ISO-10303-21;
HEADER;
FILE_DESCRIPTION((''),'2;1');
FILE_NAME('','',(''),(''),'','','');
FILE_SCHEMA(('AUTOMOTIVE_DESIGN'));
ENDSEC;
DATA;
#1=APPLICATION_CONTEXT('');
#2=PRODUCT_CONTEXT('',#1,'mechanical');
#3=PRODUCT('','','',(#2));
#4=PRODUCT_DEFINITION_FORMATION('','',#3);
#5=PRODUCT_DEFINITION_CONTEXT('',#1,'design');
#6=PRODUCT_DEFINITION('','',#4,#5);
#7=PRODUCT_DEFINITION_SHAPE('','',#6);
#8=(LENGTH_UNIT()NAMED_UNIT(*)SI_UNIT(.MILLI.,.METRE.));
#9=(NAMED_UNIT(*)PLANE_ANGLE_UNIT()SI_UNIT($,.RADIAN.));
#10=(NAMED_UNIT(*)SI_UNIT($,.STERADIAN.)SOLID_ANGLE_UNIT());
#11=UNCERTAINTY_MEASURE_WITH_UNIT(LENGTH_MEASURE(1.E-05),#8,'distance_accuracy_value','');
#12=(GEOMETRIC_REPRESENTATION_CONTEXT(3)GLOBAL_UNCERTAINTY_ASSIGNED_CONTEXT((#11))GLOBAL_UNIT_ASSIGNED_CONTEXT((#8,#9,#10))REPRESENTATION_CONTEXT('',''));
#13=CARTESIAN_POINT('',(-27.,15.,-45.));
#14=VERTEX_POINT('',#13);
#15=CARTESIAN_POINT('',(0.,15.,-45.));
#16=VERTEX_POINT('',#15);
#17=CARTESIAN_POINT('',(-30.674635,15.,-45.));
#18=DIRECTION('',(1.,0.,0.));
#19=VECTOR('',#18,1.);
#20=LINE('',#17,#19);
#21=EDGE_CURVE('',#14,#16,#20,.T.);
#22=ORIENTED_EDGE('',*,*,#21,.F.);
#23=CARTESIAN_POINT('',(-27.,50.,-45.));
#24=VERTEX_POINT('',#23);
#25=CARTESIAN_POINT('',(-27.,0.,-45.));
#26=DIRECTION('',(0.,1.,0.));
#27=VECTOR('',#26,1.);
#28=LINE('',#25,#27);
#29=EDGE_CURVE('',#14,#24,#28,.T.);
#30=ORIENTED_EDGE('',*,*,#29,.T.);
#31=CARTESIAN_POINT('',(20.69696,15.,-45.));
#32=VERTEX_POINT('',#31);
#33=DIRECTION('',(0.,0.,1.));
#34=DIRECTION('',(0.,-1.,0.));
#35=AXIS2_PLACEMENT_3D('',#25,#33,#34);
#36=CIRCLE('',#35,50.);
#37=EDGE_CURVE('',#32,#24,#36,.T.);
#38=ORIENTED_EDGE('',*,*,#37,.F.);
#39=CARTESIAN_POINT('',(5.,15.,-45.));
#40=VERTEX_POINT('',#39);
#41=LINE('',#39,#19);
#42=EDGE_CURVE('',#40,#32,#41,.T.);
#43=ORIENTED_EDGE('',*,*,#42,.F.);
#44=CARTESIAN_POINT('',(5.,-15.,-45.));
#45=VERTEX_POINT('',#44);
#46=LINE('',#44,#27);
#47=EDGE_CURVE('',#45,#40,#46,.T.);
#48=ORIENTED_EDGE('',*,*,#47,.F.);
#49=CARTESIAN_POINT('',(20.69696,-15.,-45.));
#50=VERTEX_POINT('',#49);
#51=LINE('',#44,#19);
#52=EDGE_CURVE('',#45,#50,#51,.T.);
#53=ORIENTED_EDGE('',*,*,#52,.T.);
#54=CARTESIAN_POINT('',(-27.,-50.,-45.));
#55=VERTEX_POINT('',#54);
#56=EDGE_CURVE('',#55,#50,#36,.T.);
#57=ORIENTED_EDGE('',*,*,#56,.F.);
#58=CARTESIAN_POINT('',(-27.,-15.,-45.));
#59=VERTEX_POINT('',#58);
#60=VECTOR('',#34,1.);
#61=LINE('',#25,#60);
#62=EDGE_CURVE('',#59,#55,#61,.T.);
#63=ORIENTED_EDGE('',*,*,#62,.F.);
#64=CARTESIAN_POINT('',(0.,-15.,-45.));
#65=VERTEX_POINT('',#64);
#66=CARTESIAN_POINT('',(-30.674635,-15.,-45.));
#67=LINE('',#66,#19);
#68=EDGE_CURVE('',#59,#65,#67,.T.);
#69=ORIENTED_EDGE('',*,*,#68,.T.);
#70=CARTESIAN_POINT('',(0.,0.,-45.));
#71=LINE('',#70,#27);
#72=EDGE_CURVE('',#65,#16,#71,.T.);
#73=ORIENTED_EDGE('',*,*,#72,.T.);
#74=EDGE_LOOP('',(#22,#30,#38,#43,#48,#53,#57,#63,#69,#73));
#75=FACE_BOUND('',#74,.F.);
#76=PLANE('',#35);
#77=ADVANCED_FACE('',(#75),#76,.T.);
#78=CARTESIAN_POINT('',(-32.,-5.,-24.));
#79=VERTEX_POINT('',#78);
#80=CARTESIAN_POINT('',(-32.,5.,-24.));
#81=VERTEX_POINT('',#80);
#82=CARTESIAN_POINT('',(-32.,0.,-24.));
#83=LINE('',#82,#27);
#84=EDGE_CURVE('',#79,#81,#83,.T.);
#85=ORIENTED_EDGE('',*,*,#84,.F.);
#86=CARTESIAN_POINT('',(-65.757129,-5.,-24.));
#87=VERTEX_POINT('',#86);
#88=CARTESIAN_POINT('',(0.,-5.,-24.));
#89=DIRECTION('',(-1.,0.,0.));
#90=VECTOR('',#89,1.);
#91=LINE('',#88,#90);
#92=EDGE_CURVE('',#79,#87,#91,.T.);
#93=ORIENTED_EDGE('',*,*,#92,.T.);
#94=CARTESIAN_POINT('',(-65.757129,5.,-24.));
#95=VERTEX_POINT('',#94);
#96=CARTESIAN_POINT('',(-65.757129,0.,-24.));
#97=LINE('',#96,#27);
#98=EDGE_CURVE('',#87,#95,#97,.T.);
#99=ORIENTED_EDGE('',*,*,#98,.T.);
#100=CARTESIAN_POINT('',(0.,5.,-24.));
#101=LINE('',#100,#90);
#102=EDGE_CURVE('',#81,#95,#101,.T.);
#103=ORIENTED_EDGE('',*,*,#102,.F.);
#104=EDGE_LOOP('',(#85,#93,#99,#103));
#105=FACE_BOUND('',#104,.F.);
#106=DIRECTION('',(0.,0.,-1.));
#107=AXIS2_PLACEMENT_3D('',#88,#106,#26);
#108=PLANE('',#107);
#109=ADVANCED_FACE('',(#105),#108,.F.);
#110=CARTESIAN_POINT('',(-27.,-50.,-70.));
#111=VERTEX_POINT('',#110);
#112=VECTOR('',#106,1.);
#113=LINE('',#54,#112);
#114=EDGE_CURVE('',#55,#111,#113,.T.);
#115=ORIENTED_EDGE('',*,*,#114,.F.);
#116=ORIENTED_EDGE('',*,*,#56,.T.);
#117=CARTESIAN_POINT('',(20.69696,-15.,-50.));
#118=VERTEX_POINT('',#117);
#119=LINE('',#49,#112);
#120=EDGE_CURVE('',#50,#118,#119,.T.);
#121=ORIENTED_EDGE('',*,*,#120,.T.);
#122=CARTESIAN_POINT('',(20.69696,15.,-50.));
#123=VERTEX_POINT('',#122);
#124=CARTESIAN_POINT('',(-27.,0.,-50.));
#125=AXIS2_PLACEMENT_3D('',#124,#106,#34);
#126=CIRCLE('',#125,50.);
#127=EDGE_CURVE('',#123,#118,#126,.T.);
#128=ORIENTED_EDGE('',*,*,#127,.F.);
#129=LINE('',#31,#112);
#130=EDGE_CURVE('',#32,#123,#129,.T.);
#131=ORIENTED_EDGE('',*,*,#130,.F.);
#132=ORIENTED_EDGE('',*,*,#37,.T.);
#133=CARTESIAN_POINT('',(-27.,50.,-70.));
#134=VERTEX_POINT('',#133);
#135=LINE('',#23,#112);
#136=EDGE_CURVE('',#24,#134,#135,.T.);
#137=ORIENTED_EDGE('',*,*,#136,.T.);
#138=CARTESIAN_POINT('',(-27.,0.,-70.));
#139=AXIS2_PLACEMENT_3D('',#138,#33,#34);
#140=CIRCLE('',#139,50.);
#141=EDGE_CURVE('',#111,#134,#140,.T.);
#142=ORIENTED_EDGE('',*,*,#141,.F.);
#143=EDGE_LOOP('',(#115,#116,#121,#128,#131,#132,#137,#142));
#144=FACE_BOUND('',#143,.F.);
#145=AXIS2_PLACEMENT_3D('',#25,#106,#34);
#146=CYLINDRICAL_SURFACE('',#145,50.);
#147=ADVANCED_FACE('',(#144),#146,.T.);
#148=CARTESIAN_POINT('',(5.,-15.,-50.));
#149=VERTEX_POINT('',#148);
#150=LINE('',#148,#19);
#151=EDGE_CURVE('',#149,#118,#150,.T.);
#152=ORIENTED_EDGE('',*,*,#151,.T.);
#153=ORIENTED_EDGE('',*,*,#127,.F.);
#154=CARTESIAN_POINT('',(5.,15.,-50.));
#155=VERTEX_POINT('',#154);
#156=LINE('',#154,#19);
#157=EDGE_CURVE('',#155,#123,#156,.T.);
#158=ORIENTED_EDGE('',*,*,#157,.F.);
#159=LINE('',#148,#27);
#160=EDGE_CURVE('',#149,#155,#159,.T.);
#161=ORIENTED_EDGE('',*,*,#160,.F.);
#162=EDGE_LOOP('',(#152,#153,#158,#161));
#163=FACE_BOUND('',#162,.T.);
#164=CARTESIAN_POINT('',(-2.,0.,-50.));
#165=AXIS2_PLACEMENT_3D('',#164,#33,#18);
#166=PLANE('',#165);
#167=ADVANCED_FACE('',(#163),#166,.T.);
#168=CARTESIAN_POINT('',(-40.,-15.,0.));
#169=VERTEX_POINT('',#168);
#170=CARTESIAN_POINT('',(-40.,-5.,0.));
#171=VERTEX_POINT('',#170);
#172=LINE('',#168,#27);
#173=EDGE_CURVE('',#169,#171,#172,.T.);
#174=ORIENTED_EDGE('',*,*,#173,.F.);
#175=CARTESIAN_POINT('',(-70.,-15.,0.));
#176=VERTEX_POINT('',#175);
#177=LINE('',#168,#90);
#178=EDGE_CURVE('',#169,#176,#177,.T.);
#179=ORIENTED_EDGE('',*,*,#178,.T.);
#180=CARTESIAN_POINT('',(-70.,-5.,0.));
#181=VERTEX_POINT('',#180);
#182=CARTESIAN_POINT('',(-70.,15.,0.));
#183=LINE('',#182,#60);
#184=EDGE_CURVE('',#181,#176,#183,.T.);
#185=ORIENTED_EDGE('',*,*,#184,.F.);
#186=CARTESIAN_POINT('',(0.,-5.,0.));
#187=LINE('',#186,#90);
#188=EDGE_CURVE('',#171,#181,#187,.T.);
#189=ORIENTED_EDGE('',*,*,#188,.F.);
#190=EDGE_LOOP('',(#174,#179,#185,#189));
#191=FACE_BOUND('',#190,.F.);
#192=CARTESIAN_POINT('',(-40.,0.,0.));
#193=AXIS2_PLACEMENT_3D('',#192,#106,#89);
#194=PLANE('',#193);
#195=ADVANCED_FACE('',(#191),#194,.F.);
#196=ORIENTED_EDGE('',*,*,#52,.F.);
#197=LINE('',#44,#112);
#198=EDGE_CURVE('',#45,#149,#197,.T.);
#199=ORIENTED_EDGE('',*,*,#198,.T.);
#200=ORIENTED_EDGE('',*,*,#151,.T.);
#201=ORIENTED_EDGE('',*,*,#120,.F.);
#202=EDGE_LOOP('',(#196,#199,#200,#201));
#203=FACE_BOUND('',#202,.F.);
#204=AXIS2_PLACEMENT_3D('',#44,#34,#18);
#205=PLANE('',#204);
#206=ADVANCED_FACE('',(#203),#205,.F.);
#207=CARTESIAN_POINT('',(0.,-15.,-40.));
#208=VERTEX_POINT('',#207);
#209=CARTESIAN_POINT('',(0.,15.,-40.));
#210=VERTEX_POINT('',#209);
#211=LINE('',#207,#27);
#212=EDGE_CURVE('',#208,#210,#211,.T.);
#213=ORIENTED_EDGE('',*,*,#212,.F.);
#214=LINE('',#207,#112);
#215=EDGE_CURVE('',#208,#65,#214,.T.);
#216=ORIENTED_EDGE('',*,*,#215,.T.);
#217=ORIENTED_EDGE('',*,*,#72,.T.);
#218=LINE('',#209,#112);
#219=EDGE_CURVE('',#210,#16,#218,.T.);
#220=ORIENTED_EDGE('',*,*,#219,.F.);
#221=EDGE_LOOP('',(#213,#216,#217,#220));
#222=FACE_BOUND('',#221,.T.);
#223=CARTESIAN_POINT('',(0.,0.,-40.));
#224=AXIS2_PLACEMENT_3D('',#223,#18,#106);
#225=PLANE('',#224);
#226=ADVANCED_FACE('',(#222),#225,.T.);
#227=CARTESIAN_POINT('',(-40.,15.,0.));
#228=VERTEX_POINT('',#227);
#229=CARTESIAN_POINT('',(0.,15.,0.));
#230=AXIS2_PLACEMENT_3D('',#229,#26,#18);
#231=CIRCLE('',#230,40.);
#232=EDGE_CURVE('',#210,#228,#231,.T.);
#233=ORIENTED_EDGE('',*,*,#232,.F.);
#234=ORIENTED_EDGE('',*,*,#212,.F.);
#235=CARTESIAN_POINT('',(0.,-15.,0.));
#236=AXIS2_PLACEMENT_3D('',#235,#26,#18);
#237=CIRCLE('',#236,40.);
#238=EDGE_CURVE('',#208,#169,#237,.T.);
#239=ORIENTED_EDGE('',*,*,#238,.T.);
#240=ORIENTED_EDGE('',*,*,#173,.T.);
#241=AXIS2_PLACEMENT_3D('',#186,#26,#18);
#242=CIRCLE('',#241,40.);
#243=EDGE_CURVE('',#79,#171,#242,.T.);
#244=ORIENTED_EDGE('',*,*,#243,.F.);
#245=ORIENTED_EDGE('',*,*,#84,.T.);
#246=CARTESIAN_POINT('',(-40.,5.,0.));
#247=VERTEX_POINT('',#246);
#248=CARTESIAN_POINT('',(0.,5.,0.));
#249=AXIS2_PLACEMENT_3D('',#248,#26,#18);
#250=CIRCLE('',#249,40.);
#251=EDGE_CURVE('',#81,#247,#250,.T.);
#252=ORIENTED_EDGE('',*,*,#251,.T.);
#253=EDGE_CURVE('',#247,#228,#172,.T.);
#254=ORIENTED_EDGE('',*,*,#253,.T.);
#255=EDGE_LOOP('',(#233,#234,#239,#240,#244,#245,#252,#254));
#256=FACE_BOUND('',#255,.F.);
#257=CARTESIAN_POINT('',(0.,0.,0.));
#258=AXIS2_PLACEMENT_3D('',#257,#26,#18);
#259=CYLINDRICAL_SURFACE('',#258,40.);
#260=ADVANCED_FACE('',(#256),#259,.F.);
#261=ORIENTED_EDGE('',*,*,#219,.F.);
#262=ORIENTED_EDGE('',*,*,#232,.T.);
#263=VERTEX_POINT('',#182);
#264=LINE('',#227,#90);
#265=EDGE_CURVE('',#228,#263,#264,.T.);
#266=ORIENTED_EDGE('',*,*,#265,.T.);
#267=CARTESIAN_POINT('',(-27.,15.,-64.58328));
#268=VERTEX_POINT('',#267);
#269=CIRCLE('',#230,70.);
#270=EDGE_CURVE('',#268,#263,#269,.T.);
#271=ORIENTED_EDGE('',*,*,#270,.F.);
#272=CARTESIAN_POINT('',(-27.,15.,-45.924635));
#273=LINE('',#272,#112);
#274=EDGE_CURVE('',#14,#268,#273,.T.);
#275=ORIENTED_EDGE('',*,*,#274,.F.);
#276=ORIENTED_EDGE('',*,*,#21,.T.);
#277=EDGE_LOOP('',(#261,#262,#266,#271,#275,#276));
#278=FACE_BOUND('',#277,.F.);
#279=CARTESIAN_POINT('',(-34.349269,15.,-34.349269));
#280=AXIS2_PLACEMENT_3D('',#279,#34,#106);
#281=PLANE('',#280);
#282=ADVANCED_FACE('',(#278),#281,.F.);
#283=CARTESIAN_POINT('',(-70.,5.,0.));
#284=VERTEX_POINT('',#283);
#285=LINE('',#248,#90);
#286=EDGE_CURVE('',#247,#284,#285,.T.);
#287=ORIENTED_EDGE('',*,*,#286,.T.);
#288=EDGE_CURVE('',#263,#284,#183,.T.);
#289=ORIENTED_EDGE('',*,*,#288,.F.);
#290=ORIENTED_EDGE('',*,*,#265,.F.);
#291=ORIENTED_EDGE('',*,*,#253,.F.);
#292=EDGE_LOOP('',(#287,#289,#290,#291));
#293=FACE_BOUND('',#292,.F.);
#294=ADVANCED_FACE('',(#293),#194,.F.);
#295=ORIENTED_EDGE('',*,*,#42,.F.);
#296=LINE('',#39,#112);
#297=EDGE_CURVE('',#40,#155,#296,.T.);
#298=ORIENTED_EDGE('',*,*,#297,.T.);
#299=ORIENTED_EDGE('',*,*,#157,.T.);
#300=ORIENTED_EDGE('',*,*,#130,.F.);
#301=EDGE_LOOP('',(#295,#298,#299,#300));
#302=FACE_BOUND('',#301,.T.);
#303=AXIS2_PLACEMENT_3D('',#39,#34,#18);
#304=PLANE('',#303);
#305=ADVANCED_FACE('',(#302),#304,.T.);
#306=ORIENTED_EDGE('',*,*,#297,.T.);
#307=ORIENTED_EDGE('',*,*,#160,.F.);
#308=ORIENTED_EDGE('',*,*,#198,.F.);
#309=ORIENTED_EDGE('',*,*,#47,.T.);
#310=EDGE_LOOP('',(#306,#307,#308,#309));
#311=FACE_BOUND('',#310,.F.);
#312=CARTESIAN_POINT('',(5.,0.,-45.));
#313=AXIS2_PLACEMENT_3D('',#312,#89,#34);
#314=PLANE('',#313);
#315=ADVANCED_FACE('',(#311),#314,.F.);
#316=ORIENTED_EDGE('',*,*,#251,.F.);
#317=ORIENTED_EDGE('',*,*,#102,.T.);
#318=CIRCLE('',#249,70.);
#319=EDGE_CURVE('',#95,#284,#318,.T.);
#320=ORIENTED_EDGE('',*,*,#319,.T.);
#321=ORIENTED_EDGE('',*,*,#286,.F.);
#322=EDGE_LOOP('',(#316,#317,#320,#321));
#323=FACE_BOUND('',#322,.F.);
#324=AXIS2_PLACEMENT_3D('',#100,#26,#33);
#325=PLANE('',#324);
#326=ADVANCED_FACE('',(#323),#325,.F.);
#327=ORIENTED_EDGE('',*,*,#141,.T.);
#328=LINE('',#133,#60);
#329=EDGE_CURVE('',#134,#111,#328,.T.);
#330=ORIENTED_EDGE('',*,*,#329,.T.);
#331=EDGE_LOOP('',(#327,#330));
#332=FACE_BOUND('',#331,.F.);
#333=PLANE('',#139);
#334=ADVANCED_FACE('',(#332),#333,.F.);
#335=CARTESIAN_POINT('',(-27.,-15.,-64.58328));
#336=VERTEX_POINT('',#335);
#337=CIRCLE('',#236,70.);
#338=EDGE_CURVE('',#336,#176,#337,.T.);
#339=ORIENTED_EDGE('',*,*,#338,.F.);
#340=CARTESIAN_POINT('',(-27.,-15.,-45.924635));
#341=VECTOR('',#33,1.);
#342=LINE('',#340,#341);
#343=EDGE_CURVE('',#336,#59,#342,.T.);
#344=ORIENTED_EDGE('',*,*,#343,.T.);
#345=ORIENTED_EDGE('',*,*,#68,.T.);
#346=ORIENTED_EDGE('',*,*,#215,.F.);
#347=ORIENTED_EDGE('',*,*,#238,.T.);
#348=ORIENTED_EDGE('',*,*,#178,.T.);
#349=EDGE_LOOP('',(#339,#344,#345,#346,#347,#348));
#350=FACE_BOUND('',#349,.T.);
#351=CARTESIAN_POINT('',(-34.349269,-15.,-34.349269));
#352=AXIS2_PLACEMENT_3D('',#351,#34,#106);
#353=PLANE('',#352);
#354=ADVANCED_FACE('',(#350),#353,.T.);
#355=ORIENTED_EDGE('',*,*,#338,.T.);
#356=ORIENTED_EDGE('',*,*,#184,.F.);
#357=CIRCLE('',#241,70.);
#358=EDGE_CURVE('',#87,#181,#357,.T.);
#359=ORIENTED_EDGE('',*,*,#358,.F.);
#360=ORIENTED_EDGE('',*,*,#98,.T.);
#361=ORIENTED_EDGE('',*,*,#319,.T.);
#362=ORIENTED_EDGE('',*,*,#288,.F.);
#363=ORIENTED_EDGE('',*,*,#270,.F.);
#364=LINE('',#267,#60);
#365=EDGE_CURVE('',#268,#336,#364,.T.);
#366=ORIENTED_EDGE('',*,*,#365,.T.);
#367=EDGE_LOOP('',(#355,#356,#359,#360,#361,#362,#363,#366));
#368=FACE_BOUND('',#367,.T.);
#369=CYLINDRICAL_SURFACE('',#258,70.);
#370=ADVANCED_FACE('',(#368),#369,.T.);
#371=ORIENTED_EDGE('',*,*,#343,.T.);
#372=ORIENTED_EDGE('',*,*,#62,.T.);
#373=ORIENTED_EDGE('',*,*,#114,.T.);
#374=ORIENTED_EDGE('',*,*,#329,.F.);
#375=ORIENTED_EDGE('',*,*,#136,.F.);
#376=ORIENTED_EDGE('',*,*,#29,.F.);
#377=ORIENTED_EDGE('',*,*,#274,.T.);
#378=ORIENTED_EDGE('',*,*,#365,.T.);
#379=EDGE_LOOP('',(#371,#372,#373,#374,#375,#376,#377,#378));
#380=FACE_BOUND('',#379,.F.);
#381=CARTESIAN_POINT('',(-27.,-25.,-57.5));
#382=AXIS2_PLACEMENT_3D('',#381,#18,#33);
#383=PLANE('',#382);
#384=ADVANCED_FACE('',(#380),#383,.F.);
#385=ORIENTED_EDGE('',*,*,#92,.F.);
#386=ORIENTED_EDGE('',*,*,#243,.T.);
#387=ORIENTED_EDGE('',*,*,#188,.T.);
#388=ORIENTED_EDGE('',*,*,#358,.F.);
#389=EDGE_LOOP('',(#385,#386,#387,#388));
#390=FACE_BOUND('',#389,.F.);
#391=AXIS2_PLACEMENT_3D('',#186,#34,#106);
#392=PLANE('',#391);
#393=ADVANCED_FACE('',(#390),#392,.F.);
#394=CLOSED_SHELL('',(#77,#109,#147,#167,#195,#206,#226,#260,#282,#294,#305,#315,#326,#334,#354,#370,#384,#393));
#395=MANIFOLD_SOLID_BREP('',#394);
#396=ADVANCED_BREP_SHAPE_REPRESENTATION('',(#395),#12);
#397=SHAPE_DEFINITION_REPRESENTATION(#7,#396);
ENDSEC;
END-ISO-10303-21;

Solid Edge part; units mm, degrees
sketch "Sketch1" plane through (0, 0, 0) normal (0, -1, 0) x (1, 0, 0)
  line L0 (-40, 0) -> (-70, 0)
  line L1 (0, -40) -> (0, -70)
  arc A0 (0, -40) -> (-40, 0) centre (0, 0) cw
  arc A1 (0, -70) -> (-70, 0) centre (0, 0) cw
extrude "Protrusion1" add sketch "Sketch1" along normal mid plane 30
sketch "Sketch2" plane through (0, 0, 0) normal (0, -1, 0) x (1, 0, 0)
  line L0 (23, -45) -> (23, -70)
  line L1 (23, -70) -> (-27, -70)
  line L2 (-27, -70) -> (-27, -45)
  line L3 (-27, -45) -> (23, -45)
revolve "RevolvedProtrusion_3" add sketch "Sketch2" angle 180 mid plane about axis through (-27, 0, -70) along (0, 0, 1)
sketch "Sketch3" plane through (0, 0, 0) normal (-1, 0, 0) x (0, -1, 0)
  line L0 (5, 0) -> (5, -24)
  line L1 (5, -24) -> (-5, -24)
  line L2 (-5, -24) -> (-5, 0)
  line L3 (-5, 0) -> (5, 0)
extrude "ExtrudedCutout_5" cut sketch "Sketch3" along normal blind 94.102
sketch "Sketch4" plane through (-2, 0, -45) normal (0, 0, 1) x (0, 1, 0)
  line L0 (-15, -7) -> (-15, -22.697)
  line L1 (0, -7) -> (-15, -7)
  line L2 (0, -7) -> (15, -7)
  line L3 (15, -7) -> (15, -22.697)
extrude "ExtrudedCutout_6" cut sketch "Sketch4" against normal blind 5 material side at (12.8485, -14.95, -45)
